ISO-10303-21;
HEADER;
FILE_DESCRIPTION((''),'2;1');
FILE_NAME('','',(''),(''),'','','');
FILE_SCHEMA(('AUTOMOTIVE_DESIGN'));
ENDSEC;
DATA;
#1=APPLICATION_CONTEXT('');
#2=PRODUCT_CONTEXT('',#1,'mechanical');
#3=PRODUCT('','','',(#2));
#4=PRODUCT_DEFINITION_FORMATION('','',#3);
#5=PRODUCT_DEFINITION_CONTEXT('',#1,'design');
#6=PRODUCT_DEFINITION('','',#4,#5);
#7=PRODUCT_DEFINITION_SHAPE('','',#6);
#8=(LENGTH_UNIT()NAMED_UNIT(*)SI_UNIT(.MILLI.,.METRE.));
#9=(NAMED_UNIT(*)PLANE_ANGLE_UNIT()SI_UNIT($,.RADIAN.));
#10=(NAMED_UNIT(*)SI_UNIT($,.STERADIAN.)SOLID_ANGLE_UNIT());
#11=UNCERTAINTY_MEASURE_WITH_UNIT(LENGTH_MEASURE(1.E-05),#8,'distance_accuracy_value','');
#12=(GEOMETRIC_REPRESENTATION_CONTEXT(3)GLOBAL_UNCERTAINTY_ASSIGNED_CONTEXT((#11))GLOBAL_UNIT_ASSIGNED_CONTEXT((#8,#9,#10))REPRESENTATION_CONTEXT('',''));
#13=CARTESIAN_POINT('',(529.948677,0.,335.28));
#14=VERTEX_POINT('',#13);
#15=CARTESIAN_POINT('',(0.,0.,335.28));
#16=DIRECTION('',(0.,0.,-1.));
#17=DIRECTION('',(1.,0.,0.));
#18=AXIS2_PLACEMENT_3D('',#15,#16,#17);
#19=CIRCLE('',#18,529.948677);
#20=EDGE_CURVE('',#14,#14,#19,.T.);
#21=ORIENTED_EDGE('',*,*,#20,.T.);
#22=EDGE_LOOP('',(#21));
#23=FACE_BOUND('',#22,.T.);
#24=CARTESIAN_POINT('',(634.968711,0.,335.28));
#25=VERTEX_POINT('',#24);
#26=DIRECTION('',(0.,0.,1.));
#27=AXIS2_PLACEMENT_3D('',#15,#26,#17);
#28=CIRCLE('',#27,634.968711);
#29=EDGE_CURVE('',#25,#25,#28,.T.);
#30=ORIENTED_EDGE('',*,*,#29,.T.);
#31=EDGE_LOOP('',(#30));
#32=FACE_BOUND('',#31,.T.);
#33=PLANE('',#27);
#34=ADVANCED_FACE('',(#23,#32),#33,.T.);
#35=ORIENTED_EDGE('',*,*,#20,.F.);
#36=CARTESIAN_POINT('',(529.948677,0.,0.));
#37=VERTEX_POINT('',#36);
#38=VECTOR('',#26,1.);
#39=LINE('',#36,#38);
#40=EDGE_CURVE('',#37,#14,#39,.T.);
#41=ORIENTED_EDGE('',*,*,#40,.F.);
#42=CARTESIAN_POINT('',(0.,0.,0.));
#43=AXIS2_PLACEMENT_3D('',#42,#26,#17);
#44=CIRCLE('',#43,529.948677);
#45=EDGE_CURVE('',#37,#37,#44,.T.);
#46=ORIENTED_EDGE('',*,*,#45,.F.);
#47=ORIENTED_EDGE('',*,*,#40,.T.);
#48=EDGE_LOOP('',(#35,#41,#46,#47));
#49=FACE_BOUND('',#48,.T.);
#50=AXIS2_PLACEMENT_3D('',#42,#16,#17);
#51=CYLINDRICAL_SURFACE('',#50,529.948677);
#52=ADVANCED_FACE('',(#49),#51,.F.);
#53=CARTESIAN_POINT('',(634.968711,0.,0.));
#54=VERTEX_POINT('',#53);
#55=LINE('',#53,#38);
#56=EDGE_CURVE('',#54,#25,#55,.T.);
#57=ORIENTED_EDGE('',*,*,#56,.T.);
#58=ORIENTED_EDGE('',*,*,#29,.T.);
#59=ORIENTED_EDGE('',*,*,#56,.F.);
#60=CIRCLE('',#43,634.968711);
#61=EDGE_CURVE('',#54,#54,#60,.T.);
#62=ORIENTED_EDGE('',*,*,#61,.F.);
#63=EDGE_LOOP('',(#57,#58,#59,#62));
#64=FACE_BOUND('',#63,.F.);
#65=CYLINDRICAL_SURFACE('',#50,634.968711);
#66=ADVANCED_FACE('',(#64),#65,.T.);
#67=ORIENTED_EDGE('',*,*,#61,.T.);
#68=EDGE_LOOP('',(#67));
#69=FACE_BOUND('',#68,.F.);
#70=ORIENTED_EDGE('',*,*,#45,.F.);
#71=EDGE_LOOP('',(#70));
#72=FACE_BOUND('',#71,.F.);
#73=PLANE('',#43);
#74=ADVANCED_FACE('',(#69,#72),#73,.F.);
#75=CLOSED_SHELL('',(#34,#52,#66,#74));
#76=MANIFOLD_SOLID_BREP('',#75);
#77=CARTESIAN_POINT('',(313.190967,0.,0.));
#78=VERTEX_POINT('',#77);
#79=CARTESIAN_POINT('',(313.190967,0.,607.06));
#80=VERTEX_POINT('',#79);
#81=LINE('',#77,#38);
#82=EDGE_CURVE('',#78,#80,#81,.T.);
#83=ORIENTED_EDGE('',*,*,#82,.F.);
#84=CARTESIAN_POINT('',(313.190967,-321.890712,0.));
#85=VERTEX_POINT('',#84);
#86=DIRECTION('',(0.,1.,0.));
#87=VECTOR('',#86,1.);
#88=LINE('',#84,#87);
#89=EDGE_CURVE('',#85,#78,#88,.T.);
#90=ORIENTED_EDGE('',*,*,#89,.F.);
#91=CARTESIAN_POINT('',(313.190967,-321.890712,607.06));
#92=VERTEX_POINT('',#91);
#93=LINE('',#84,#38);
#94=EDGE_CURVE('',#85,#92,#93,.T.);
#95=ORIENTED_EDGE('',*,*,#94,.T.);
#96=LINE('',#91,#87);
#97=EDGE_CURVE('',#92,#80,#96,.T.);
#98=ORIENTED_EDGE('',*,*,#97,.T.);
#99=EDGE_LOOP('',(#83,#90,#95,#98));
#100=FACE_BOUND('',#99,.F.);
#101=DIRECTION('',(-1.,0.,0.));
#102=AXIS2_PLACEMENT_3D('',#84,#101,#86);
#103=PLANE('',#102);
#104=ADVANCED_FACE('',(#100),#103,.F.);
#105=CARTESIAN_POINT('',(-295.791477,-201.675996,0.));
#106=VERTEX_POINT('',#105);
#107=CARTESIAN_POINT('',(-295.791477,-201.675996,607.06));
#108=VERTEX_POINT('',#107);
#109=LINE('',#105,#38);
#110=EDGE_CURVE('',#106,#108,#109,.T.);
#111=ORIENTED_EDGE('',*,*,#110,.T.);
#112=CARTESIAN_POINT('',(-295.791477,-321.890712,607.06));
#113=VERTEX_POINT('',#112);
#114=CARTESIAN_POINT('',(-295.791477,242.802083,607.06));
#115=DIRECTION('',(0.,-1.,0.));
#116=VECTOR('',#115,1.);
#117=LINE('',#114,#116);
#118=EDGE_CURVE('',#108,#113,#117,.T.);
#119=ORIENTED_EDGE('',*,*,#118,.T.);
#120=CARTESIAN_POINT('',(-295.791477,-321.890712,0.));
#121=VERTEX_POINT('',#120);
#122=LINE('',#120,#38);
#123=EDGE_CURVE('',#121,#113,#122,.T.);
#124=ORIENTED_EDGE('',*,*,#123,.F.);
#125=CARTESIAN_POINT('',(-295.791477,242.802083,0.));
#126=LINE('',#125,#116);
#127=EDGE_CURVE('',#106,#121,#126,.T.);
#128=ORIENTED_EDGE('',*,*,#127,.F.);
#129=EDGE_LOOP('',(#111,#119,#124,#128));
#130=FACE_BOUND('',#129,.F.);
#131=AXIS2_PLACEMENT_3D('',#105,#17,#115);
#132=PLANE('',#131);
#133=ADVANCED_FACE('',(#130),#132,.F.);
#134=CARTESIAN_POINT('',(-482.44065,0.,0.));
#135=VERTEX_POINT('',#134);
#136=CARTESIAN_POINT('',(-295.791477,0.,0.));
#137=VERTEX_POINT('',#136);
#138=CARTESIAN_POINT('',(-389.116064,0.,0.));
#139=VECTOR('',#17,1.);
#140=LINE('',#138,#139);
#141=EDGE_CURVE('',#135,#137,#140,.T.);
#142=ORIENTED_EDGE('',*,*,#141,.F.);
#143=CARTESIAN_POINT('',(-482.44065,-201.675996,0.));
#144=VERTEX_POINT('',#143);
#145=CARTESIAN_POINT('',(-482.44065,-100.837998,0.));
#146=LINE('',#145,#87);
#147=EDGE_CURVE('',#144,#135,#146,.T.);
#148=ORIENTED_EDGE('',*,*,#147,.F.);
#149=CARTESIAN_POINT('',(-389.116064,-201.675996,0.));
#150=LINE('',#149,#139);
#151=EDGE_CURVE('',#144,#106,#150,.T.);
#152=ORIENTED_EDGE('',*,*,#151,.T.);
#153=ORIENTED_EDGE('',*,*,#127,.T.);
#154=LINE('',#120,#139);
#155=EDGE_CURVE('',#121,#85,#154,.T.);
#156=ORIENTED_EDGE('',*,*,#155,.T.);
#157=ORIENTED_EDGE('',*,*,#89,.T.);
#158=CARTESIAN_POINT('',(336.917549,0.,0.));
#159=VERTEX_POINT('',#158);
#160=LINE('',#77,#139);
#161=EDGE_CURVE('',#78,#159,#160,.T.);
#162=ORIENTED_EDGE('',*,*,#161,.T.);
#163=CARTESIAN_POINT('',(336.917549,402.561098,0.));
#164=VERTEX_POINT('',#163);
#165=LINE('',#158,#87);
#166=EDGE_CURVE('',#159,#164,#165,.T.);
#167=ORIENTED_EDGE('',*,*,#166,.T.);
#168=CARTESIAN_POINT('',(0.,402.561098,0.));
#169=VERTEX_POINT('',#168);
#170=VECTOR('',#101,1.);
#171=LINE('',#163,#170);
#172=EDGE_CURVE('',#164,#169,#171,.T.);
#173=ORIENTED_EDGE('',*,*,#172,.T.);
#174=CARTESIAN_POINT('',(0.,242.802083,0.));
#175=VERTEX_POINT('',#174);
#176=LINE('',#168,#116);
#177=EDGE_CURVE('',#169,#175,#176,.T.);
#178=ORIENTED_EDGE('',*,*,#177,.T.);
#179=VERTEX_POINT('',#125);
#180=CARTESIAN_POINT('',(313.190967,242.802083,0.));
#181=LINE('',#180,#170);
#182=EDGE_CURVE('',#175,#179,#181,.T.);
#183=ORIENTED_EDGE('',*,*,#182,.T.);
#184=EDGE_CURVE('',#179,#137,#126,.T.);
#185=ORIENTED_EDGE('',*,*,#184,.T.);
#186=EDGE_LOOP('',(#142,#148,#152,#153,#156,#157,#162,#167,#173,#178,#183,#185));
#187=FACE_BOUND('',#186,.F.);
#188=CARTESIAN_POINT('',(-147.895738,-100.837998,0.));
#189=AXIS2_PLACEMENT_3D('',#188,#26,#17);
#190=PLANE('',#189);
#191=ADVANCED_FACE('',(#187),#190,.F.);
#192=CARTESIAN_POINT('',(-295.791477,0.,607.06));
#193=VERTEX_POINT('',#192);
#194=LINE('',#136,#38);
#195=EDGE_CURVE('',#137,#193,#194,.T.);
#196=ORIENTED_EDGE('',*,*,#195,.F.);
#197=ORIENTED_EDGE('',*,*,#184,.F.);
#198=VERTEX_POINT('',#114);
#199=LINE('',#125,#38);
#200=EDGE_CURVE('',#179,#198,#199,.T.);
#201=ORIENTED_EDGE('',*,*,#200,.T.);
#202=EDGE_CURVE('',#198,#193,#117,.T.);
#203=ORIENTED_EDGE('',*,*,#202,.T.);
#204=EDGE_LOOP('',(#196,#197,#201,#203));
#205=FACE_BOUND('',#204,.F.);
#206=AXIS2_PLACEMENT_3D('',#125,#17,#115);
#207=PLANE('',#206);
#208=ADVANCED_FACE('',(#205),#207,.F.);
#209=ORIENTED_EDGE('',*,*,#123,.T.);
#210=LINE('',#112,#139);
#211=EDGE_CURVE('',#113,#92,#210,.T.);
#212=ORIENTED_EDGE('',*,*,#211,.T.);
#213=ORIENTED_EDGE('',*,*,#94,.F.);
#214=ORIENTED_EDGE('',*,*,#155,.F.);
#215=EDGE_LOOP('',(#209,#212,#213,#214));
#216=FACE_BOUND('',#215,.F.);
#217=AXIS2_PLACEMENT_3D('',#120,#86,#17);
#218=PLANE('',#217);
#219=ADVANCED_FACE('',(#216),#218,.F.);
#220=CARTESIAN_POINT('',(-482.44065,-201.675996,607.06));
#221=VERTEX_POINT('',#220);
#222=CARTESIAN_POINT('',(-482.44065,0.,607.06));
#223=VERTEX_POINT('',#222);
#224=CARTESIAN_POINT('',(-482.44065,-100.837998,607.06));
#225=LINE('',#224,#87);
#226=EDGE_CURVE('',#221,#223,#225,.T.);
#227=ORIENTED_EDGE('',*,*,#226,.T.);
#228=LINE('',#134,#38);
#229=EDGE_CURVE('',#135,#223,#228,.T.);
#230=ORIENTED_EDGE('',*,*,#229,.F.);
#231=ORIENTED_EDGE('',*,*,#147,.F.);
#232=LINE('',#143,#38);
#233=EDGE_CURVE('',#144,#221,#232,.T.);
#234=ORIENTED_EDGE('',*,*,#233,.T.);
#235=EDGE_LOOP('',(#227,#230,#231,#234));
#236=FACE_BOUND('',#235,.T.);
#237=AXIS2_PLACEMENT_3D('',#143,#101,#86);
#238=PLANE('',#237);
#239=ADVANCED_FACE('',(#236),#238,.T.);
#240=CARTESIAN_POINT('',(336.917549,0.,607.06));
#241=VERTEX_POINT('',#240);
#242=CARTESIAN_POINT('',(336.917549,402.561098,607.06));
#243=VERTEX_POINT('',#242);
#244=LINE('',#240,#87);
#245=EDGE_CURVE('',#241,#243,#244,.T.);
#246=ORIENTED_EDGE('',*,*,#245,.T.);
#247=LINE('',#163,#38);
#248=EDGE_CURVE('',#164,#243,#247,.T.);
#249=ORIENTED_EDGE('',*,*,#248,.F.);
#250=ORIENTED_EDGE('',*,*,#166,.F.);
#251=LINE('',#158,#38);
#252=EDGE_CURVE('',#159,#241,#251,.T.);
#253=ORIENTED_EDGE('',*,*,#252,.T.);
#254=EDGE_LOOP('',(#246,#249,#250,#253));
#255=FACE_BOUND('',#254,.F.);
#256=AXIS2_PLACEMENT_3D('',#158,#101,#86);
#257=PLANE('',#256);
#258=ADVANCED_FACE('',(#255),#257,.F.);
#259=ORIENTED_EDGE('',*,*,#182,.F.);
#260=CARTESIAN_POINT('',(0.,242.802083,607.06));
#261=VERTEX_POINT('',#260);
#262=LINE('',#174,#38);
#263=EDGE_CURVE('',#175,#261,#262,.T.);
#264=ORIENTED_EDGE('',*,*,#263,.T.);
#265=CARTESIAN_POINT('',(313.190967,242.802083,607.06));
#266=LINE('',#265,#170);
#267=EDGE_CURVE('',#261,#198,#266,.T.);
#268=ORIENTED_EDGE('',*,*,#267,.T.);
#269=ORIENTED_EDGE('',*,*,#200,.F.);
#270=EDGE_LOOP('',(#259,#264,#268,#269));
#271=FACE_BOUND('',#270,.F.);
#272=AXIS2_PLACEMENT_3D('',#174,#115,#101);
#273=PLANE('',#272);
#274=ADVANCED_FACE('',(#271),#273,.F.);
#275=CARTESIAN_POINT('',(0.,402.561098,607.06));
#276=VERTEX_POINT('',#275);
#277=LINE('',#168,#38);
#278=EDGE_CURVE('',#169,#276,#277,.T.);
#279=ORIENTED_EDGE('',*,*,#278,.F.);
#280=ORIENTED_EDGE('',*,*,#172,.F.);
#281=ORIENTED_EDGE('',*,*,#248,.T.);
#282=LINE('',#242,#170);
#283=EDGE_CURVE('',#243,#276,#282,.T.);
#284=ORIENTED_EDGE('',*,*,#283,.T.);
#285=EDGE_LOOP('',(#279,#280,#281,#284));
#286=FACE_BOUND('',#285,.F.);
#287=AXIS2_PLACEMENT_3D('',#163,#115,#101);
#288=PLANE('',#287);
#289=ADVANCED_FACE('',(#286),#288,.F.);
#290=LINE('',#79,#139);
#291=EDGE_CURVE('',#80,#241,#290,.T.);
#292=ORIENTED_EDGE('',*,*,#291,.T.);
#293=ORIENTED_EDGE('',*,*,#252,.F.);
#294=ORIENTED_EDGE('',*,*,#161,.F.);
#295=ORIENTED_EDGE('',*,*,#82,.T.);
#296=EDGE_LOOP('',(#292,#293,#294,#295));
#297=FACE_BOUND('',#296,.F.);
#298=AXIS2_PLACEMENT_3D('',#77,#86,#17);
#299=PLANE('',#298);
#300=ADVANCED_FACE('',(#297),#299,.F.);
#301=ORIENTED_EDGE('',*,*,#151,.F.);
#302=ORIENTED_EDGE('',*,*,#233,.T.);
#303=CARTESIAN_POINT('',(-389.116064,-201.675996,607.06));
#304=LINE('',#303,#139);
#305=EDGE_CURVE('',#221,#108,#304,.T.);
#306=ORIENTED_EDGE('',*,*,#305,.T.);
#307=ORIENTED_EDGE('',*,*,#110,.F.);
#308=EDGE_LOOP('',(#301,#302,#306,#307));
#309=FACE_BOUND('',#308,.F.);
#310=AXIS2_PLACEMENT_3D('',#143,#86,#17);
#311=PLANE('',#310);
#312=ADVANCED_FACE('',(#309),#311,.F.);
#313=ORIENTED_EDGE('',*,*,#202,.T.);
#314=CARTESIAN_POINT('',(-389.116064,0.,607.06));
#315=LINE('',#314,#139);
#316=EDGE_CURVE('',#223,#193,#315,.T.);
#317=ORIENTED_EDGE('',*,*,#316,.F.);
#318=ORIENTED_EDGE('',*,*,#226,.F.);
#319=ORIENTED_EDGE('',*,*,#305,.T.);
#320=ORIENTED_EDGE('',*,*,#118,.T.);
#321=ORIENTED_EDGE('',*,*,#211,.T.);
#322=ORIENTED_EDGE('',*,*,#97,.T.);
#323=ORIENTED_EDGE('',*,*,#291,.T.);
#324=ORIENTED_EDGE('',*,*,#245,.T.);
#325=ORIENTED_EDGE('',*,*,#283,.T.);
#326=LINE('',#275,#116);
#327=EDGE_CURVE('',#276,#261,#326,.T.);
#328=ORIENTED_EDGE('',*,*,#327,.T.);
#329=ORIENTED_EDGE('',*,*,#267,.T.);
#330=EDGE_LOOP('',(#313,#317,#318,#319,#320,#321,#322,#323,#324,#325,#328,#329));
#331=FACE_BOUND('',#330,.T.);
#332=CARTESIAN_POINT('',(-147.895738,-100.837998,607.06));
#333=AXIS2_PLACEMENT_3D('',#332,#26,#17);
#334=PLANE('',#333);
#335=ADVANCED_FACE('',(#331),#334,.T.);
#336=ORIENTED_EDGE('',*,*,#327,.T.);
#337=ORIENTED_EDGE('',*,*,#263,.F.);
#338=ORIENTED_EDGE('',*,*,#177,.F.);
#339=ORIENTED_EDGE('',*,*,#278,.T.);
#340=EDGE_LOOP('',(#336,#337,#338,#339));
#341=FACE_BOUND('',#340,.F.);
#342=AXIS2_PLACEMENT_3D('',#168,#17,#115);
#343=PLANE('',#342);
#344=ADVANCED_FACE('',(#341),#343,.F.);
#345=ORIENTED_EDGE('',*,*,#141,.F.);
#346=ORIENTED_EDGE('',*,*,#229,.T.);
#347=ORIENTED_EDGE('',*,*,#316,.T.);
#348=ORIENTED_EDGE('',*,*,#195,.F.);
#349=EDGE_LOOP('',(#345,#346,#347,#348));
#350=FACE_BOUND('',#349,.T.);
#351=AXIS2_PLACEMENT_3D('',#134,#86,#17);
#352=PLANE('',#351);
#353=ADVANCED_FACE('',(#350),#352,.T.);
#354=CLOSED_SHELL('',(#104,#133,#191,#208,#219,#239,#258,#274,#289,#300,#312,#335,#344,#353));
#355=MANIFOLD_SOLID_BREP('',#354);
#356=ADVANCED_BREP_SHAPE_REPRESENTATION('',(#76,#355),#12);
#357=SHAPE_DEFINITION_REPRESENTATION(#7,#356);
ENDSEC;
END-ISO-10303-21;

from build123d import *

# Parameters (mm, degrees)
F0_R     = 634.968711353
F1_DEPTH = 335.28
F2_R     = 529.9486766213
F3_DEPTH = 337.82
F4_W     = 295.791476965
F4_H     = 201.6759961843
F4_W_2   = 313.1909668446
F4_H_2   = 242.8020834923
F4_W_3   = 186.6491734982
F5_DEPTH = 607.06


with BuildPart() as f1:
    # F0 (on Top) → F1 (new body)
    with BuildSketch(Plane.XY):
        Circle(F0_R)
    extrude(amount=F1_DEPTH)

    # F2 (on Top) → F3 (cut)
    with BuildSketch(Plane.XY):
        Circle(F2_R)
    extrude(amount=F3_DEPTH, mode=Mode.SUBTRACT)


with BuildPart() as f5:
    # F4 (on Top) → F5 (new body)
    with BuildSketch(Plane.XY):
        with Locations((-147.8957384825, -100.8379980922)):
            Rectangle(F4_W, F4_H)
        Polygon((313.1909668446, 0), (0, 0), (0, -201.6759961843), (-295.791476965, -201.6759961843), (-295.791476965, -321.8907117844), (313.1909668446, -321.8907117844), align=None)
        with Locations((156.5954834223, 121.4010417461)):
            Rectangle(F4_W_2, F4_H_2)
        with Locations((-147.8957384825, 121.4010417461)):
            Rectangle(F4_W, F4_H_2)
        with Locations((-389.116063714, -100.8379980922)):
            Rectangle(F4_W_3, F4_H)
        Polygon((313.1909668446, 242.8020834923), (313.1909668446, 0), (336.9175493717, 0), (336.9175493717, 402.5610983372), (0, 402.5610983372), (0, 242.8020834923), align=None)
    extrude(amount=F5_DEPTH)


solid = Compound([f1.part, f5.part])
